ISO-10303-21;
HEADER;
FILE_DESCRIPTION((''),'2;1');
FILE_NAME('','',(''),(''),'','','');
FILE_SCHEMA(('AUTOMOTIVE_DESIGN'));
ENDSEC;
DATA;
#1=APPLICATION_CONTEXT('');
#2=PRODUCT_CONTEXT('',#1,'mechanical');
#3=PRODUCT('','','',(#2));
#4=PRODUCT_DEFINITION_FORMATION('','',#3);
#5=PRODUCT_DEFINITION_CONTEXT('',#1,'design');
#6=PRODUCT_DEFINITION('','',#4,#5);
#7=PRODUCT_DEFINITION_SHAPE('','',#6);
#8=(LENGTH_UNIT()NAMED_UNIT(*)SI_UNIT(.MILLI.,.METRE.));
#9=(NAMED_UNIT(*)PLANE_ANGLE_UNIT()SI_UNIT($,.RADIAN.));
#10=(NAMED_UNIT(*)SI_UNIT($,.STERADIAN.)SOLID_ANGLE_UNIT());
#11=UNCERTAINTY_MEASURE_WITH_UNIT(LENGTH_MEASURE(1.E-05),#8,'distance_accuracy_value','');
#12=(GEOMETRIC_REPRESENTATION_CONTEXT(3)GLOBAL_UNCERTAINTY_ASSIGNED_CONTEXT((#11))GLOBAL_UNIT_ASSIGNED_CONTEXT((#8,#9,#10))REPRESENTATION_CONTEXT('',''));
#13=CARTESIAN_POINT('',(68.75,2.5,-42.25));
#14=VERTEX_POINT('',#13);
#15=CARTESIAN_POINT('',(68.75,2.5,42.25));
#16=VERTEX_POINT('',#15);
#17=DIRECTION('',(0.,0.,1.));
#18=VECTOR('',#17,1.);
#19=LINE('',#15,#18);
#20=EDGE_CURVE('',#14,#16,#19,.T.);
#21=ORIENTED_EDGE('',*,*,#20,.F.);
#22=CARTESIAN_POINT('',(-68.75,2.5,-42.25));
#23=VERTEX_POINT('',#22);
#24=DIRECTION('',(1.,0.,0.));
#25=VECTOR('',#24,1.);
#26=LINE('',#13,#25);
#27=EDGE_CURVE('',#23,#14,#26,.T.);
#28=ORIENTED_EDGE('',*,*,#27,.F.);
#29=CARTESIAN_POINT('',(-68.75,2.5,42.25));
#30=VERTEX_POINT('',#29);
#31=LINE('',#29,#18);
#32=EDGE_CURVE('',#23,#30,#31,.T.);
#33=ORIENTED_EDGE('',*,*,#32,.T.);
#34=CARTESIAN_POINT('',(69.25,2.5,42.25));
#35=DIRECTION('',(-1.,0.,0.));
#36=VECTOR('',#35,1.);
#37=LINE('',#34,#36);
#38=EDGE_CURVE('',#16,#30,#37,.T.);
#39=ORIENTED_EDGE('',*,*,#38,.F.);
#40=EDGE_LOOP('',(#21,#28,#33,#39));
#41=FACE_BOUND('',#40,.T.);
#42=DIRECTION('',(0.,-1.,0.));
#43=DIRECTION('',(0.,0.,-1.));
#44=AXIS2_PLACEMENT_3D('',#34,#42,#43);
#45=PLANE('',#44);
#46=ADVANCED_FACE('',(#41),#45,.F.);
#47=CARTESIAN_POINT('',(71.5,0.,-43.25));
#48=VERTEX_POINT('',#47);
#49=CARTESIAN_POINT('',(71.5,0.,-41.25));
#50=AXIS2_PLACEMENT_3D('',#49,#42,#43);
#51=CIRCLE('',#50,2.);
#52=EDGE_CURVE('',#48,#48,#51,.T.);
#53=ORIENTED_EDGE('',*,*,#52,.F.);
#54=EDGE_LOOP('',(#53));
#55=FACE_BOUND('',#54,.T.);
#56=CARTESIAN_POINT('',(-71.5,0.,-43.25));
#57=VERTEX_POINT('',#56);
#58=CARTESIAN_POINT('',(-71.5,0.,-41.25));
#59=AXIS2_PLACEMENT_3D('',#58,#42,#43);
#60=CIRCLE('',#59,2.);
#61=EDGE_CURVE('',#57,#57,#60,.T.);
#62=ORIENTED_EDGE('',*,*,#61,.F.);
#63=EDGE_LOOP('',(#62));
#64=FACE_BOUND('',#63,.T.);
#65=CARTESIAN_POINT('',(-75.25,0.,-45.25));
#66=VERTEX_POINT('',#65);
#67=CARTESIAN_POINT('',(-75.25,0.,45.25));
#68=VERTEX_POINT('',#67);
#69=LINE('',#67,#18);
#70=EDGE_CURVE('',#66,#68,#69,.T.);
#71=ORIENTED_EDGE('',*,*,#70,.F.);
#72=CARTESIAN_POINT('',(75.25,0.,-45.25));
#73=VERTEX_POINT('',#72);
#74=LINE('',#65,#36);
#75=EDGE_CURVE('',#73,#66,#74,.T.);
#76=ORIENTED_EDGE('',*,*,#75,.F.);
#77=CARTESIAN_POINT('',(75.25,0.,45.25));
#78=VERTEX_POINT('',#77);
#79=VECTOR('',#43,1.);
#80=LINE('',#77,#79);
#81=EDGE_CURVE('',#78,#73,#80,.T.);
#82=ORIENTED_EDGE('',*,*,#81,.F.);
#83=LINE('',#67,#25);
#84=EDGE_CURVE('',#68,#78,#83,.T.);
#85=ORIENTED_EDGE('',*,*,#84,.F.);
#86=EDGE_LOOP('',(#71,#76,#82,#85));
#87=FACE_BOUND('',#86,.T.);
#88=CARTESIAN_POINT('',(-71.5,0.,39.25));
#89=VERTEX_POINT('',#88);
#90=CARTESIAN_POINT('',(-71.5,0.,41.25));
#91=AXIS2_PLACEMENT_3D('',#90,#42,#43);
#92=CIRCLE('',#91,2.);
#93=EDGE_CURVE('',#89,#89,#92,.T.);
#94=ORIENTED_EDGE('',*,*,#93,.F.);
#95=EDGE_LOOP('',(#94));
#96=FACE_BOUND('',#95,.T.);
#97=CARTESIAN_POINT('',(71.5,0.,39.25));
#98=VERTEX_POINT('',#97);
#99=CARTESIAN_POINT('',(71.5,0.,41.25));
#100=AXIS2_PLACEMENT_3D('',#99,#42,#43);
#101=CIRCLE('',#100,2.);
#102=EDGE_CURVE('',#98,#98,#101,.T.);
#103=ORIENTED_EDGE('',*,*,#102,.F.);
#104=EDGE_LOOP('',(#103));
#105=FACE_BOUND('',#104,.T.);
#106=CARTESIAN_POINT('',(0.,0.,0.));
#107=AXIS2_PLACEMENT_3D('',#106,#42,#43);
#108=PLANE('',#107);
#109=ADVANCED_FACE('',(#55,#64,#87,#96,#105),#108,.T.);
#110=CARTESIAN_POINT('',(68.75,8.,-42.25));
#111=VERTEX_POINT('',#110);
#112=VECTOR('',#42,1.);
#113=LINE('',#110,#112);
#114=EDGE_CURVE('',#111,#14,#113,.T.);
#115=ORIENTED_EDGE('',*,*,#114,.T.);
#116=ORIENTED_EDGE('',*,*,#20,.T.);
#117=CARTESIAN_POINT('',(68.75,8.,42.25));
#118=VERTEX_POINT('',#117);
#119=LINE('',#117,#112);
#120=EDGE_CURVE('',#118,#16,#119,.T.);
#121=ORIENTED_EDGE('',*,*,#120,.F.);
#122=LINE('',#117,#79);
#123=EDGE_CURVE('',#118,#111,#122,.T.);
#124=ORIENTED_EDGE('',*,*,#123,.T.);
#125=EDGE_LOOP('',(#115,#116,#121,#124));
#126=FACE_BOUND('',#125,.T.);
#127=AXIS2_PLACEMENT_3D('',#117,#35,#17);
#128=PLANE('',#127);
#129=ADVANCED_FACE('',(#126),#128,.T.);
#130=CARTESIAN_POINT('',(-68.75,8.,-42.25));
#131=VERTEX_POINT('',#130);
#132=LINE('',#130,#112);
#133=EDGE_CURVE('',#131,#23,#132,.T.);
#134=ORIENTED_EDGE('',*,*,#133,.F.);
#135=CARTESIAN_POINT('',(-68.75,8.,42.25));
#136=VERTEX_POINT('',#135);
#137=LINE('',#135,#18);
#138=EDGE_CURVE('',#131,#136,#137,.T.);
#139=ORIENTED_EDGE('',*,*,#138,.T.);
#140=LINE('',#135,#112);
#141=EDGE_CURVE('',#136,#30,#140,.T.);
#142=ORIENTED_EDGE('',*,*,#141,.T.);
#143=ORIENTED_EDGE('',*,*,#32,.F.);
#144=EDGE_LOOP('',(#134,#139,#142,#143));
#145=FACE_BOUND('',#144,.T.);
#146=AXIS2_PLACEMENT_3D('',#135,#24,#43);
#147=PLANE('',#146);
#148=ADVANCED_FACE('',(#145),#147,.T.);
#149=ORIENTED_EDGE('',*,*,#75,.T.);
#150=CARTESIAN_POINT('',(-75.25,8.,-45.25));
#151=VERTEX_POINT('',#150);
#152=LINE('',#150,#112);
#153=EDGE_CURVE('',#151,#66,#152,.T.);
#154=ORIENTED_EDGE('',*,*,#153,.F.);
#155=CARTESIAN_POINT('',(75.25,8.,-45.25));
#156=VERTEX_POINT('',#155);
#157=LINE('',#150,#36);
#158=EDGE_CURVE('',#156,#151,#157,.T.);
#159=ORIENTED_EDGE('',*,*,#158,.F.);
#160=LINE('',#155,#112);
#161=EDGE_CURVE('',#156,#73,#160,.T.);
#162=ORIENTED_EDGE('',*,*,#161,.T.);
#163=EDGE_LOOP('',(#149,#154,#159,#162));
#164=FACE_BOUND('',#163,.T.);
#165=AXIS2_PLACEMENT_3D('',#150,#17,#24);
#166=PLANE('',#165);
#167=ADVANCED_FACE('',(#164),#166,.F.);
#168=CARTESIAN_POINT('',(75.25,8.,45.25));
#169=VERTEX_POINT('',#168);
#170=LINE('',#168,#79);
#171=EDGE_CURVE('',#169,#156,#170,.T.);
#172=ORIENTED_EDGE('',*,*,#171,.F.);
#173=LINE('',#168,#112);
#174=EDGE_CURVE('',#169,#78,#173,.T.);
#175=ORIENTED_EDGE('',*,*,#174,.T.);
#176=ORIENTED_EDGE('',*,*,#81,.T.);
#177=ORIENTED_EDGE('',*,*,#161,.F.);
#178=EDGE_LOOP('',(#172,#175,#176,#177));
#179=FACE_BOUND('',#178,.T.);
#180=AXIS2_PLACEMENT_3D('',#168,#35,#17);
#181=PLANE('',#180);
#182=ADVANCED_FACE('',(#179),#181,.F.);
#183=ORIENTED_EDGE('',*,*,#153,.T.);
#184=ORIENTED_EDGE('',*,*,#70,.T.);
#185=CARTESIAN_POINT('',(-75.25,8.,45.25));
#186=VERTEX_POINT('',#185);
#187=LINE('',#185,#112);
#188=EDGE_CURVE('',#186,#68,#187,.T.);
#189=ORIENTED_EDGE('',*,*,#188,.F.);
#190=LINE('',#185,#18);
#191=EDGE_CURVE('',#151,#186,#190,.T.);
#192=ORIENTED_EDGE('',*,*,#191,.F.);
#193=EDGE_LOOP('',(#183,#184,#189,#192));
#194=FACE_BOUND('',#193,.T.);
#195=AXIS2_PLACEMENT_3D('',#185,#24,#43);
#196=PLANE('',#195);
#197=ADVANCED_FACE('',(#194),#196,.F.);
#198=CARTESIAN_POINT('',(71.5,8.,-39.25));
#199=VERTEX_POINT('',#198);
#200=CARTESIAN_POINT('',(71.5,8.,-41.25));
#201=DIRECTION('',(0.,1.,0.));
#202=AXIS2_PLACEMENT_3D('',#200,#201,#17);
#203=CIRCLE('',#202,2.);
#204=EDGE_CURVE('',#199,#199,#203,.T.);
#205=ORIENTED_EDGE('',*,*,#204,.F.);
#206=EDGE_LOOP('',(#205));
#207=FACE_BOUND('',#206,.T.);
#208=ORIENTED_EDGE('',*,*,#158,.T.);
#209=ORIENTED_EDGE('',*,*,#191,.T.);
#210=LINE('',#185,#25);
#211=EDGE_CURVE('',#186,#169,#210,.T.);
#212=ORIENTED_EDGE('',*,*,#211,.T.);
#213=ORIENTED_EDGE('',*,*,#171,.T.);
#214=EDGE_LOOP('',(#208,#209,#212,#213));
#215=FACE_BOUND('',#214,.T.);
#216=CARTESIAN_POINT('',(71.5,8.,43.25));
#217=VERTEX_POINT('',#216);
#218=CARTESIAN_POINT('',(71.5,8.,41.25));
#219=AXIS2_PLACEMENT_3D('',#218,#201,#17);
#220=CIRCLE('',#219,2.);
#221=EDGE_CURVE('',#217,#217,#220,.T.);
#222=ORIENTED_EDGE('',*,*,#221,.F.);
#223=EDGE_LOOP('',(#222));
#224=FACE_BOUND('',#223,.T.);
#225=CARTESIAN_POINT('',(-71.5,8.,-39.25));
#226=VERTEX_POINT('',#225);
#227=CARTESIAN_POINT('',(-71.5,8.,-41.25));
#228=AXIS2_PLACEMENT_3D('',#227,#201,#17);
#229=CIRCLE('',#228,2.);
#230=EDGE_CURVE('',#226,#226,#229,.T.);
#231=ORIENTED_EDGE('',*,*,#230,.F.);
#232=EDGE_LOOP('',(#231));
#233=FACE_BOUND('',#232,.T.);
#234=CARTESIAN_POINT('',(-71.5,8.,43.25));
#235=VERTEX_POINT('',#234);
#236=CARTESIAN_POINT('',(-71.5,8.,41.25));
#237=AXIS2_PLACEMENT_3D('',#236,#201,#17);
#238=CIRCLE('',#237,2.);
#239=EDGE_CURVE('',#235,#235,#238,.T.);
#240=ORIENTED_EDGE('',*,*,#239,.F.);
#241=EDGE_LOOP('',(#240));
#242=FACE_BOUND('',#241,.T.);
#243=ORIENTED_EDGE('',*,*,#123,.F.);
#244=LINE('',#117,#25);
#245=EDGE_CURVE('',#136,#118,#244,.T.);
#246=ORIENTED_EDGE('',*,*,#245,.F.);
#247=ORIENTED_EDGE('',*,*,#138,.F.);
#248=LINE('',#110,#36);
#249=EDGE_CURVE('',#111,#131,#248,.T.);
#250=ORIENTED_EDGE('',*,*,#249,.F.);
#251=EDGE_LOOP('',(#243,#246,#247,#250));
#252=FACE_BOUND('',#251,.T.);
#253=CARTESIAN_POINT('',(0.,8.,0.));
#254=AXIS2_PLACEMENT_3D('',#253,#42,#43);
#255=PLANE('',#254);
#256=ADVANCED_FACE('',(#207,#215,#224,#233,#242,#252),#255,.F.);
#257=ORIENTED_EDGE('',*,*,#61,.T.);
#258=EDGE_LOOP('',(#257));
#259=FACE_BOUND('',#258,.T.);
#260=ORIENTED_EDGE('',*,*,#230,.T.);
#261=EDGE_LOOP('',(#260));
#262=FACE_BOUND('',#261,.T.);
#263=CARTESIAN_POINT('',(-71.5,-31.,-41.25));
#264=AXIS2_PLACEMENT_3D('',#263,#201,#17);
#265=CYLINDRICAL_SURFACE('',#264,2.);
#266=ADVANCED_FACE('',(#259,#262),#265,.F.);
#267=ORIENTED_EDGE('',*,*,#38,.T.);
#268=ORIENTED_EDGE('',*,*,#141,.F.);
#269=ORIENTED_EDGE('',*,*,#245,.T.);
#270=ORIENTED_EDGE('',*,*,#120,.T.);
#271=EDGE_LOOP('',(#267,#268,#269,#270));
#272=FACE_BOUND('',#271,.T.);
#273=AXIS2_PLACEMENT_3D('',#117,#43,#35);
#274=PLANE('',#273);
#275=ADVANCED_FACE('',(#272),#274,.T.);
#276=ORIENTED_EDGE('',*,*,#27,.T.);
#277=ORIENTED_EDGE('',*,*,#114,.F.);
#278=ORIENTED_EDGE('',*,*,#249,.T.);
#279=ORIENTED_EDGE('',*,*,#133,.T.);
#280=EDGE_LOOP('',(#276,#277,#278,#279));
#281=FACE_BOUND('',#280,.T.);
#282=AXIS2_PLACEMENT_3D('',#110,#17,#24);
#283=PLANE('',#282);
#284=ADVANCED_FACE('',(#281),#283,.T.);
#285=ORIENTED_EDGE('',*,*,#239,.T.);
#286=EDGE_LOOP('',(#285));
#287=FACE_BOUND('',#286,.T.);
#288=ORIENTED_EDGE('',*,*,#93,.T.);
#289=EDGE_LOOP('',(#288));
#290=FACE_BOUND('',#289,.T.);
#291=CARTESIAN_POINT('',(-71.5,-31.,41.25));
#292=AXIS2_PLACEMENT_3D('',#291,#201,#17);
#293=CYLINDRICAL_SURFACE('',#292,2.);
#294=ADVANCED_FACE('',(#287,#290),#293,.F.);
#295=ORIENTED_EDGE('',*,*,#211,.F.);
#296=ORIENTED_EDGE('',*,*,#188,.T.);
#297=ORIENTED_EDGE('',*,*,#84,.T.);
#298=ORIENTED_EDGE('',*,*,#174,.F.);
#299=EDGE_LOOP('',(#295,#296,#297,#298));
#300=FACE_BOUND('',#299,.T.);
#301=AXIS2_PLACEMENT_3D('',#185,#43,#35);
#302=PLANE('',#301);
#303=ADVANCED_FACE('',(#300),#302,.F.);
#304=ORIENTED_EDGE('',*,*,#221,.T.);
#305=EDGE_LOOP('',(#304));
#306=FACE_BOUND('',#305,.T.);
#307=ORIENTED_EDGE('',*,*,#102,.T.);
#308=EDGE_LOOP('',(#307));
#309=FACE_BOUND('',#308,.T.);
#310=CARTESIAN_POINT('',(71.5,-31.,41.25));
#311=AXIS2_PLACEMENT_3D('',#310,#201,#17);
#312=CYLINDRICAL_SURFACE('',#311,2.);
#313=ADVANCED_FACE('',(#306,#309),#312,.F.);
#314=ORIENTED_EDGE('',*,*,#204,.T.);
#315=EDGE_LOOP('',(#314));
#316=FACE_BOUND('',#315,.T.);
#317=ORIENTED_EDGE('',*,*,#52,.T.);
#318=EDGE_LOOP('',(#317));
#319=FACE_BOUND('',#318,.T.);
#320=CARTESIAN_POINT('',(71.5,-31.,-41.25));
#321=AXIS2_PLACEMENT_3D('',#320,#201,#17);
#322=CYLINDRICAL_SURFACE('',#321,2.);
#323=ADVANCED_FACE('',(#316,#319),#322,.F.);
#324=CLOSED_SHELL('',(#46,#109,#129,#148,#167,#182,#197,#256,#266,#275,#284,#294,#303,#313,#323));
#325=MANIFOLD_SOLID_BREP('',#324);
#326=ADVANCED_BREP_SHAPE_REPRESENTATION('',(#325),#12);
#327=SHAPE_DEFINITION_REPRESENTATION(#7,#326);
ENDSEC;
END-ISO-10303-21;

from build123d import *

# Parameters (mm, degrees)
SKETCH1_W           = 150.5
SKETCH1_H           = 90.5
SKETCH1_W_2         = 137.5
SKETCH1_H_2         = 84.5
BOSS_EXTRUDE1_DEPTH = 8
SKETCH2_R           = 2
CUT_EXTRUDE1_DEPTH  = 39
SKETCH3_W           = 84.5
SKETCH3_H           = 2.5
BOSS_EXTRUDE2_DEPTH = 138


with BuildPart() as part:
    # Sketch1 → Boss-Extrude1 (new body)
    with BuildSketch(Plane(origin=(0, 0, 0), x_dir=(1, 0, 0), z_dir=(0, 1, 0))):
        Rectangle(SKETCH1_W, SKETCH1_H)
        Rectangle(SKETCH1_W_2, SKETCH1_H_2, mode=Mode.SUBTRACT)
    extrude(amount=BOSS_EXTRUDE1_DEPTH)

    # Sketch2 → Cut-Extrude1 (cut)
    with BuildSketch(Plane(origin=(0, 8, 0), x_dir=(1, 0, 0), z_dir=(0, 1, 0))):
        with Locations(Location((-71.5, 41.25, 0), (0, 0, 270))):
            Circle(SKETCH2_R)
        with Locations(Location((-71.5, -41.25, 0), (0, 0, 270))):
            Circle(SKETCH2_R)
        with Locations(Location((71.5, -41.25, 0), (0, 0, 270))):
            Circle(SKETCH2_R)
        with Locations(Location((71.5, 41.25, 0), (0, 0, 270))):
            Circle(SKETCH2_R)
    extrude(amount=-CUT_EXTRUDE1_DEPTH, mode=Mode.SUBTRACT)

    # Sketch3 → Boss-Extrude2 (add)
    with BuildSketch(Plane(origin=(-68.75, 0, 0), x_dir=(0, 0, -1), z_dir=(1, 0, 0))):
        with Locations((0, 1.25)):
            Rectangle(SKETCH3_W, SKETCH3_H)
    extrude(amount=BOSS_EXTRUDE2_DEPTH)


solid = part.part
